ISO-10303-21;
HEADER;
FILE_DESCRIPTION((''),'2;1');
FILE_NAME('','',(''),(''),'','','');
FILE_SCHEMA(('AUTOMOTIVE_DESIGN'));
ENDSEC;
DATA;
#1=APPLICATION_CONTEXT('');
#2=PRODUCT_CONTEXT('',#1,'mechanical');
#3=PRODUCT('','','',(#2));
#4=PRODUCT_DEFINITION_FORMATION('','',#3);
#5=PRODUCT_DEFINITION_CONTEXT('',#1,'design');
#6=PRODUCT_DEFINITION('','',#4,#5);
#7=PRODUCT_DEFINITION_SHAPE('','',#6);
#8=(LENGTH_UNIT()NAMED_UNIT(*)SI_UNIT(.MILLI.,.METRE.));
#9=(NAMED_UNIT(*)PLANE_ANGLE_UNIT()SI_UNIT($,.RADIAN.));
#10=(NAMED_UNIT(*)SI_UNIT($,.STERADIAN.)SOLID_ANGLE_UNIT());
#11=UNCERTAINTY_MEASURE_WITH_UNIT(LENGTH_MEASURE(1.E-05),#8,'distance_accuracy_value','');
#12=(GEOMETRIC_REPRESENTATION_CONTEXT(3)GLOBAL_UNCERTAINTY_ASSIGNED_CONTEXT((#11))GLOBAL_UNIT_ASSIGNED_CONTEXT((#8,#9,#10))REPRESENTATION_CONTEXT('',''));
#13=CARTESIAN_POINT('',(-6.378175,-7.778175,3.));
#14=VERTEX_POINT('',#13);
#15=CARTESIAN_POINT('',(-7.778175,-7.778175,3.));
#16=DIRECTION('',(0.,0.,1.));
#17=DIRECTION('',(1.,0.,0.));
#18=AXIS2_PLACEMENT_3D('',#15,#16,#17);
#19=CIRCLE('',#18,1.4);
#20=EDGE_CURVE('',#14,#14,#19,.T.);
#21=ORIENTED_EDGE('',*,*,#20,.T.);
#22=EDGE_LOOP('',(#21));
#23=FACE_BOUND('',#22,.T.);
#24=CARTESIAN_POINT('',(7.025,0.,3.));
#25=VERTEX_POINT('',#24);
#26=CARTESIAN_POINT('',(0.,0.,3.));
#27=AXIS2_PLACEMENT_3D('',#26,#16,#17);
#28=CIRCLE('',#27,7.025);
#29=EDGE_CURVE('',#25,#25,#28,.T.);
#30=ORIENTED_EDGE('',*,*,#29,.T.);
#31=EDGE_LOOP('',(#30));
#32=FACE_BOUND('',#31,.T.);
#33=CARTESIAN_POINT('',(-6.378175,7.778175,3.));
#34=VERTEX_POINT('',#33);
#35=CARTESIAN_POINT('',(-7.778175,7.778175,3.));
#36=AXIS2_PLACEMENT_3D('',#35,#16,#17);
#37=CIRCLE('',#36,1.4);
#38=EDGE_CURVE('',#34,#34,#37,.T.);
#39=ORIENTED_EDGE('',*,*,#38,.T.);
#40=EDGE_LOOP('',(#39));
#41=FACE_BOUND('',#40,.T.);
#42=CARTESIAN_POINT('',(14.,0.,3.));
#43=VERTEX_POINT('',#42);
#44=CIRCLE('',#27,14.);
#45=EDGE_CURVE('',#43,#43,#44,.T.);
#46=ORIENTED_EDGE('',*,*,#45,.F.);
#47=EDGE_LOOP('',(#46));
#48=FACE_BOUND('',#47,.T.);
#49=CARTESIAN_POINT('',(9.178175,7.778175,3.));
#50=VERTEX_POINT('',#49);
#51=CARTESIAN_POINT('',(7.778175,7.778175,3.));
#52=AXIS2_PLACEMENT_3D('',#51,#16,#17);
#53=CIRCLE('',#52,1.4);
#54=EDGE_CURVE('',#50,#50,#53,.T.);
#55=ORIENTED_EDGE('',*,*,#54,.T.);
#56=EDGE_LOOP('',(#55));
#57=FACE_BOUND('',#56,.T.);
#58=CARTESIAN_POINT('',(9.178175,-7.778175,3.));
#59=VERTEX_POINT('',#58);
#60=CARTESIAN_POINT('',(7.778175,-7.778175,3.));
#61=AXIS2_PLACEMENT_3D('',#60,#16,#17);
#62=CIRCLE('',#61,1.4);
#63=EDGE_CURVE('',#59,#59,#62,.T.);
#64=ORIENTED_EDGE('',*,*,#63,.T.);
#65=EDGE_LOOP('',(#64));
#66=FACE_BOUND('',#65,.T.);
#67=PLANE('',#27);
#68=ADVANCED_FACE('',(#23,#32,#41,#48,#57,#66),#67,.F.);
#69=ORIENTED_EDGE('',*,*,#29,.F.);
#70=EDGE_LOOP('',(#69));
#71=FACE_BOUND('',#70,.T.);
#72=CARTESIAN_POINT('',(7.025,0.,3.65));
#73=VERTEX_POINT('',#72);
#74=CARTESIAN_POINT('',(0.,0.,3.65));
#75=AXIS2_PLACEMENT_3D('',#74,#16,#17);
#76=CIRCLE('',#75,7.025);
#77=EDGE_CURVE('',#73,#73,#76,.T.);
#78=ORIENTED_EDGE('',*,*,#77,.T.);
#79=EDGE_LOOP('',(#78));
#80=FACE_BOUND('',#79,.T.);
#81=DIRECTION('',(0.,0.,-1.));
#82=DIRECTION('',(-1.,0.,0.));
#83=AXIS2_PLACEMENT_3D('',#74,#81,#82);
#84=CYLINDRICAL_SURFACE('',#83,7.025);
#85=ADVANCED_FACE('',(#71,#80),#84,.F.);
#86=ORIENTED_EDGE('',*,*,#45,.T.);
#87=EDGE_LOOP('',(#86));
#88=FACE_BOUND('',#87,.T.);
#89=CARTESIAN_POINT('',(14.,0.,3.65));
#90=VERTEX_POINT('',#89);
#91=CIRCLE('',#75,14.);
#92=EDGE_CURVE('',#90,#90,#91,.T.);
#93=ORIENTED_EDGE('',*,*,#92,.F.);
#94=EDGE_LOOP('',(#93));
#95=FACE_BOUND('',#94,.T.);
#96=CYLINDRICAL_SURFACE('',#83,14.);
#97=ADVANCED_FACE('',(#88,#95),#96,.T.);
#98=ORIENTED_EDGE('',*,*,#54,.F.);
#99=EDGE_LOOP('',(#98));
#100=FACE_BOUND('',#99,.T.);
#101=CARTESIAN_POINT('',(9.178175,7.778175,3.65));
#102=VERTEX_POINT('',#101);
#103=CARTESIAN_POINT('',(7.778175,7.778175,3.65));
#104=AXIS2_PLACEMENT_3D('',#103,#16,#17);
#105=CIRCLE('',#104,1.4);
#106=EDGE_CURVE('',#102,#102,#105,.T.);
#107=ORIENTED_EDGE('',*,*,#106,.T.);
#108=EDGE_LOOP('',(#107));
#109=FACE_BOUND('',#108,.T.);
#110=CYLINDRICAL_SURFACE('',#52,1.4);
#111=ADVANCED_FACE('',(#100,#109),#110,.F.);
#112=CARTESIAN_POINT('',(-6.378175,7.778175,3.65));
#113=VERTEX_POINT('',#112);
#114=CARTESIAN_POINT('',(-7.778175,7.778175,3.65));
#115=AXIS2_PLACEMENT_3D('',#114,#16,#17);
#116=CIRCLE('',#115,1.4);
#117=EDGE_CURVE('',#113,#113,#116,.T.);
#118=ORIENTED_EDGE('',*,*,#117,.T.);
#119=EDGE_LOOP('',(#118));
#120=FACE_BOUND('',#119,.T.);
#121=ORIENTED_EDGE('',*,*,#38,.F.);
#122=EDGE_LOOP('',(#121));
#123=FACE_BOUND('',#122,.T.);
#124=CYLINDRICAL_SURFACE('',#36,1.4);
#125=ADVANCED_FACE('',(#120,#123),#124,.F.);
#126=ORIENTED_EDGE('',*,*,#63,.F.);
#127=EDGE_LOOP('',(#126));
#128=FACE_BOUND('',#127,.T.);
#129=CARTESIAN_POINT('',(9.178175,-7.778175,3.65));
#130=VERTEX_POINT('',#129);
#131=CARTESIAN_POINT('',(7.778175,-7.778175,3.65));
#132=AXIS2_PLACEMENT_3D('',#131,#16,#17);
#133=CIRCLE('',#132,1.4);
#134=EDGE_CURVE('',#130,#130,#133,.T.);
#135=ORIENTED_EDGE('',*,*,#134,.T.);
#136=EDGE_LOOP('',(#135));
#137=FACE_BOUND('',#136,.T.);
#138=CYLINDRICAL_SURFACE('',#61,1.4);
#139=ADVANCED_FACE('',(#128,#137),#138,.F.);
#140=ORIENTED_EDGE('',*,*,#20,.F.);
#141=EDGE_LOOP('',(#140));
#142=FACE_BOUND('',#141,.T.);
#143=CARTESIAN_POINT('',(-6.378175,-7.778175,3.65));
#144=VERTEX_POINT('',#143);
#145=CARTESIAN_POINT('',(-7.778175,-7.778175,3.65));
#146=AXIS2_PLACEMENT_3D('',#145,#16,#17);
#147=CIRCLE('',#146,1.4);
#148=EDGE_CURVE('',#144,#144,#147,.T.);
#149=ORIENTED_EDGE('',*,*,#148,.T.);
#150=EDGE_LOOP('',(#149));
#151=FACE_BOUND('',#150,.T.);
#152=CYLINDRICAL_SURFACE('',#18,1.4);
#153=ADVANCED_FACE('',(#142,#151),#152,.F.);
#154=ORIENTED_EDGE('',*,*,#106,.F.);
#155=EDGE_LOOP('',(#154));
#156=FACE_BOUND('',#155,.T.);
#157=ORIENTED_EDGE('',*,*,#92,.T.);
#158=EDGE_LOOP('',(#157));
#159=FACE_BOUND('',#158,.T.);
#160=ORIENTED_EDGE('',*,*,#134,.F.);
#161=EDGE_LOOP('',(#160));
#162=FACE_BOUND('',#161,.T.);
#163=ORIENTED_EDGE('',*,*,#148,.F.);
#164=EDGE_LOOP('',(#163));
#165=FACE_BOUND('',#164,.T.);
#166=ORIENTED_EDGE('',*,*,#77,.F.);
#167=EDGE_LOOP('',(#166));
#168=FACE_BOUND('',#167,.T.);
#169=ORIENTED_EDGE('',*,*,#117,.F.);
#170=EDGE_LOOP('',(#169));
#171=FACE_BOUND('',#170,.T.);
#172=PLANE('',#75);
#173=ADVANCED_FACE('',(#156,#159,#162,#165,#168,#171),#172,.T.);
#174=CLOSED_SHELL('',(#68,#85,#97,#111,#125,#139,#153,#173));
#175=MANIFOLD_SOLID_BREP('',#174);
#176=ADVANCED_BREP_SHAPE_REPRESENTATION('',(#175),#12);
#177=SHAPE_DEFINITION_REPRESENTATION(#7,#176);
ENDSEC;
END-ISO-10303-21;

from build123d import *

# Parameters (mm, degrees)
HUB_ENDPLATE_AXIAL_CLEARANCE_SHIM_H0P65_START = 3
SKETCH1_R                                     = 14
SKETCH1_R_2                                   = 7.025
HUB_ENDPLATE_AXIAL_CLEARANCE_SHIM_H0P65_DEPTH = 0.65
SKETCH2_R                                     = 1.4
FOUR_D2P8_PCD22_DEPTH                         = 20.809656736


with BuildPart() as part:
    # Sketch1 → Hub_Endplate_Axial_Clearance_Shim_H0p65 (new body)
    with BuildSketch(Plane.XY.offset(HUB_ENDPLATE_AXIAL_CLEARANCE_SHIM_H0P65_START)):
        Circle(SKETCH1_R)
        Circle(SKETCH1_R_2, mode=Mode.SUBTRACT)
    extrude(amount=HUB_ENDPLATE_AXIAL_CLEARANCE_SHIM_H0P65_DEPTH)

    # Sketch2 → Four_D2p8_PCD22 (cut, through all)
    with BuildSketch(Plane.XY.offset(3.65)):
        with Locations((7.778174593, 7.778174593)):
            Circle(SKETCH2_R)
        with Locations((-7.778174593, 7.778174593)):
            Circle(SKETCH2_R)
        with Locations((-7.778174593, -7.778174593)):
            Circle(SKETCH2_R)
        with Locations((7.778174593, -7.778174593)):
            Circle(SKETCH2_R)
    extrude(amount=-FOUR_D2P8_PCD22_DEPTH, mode=Mode.SUBTRACT)


solid = part.part
